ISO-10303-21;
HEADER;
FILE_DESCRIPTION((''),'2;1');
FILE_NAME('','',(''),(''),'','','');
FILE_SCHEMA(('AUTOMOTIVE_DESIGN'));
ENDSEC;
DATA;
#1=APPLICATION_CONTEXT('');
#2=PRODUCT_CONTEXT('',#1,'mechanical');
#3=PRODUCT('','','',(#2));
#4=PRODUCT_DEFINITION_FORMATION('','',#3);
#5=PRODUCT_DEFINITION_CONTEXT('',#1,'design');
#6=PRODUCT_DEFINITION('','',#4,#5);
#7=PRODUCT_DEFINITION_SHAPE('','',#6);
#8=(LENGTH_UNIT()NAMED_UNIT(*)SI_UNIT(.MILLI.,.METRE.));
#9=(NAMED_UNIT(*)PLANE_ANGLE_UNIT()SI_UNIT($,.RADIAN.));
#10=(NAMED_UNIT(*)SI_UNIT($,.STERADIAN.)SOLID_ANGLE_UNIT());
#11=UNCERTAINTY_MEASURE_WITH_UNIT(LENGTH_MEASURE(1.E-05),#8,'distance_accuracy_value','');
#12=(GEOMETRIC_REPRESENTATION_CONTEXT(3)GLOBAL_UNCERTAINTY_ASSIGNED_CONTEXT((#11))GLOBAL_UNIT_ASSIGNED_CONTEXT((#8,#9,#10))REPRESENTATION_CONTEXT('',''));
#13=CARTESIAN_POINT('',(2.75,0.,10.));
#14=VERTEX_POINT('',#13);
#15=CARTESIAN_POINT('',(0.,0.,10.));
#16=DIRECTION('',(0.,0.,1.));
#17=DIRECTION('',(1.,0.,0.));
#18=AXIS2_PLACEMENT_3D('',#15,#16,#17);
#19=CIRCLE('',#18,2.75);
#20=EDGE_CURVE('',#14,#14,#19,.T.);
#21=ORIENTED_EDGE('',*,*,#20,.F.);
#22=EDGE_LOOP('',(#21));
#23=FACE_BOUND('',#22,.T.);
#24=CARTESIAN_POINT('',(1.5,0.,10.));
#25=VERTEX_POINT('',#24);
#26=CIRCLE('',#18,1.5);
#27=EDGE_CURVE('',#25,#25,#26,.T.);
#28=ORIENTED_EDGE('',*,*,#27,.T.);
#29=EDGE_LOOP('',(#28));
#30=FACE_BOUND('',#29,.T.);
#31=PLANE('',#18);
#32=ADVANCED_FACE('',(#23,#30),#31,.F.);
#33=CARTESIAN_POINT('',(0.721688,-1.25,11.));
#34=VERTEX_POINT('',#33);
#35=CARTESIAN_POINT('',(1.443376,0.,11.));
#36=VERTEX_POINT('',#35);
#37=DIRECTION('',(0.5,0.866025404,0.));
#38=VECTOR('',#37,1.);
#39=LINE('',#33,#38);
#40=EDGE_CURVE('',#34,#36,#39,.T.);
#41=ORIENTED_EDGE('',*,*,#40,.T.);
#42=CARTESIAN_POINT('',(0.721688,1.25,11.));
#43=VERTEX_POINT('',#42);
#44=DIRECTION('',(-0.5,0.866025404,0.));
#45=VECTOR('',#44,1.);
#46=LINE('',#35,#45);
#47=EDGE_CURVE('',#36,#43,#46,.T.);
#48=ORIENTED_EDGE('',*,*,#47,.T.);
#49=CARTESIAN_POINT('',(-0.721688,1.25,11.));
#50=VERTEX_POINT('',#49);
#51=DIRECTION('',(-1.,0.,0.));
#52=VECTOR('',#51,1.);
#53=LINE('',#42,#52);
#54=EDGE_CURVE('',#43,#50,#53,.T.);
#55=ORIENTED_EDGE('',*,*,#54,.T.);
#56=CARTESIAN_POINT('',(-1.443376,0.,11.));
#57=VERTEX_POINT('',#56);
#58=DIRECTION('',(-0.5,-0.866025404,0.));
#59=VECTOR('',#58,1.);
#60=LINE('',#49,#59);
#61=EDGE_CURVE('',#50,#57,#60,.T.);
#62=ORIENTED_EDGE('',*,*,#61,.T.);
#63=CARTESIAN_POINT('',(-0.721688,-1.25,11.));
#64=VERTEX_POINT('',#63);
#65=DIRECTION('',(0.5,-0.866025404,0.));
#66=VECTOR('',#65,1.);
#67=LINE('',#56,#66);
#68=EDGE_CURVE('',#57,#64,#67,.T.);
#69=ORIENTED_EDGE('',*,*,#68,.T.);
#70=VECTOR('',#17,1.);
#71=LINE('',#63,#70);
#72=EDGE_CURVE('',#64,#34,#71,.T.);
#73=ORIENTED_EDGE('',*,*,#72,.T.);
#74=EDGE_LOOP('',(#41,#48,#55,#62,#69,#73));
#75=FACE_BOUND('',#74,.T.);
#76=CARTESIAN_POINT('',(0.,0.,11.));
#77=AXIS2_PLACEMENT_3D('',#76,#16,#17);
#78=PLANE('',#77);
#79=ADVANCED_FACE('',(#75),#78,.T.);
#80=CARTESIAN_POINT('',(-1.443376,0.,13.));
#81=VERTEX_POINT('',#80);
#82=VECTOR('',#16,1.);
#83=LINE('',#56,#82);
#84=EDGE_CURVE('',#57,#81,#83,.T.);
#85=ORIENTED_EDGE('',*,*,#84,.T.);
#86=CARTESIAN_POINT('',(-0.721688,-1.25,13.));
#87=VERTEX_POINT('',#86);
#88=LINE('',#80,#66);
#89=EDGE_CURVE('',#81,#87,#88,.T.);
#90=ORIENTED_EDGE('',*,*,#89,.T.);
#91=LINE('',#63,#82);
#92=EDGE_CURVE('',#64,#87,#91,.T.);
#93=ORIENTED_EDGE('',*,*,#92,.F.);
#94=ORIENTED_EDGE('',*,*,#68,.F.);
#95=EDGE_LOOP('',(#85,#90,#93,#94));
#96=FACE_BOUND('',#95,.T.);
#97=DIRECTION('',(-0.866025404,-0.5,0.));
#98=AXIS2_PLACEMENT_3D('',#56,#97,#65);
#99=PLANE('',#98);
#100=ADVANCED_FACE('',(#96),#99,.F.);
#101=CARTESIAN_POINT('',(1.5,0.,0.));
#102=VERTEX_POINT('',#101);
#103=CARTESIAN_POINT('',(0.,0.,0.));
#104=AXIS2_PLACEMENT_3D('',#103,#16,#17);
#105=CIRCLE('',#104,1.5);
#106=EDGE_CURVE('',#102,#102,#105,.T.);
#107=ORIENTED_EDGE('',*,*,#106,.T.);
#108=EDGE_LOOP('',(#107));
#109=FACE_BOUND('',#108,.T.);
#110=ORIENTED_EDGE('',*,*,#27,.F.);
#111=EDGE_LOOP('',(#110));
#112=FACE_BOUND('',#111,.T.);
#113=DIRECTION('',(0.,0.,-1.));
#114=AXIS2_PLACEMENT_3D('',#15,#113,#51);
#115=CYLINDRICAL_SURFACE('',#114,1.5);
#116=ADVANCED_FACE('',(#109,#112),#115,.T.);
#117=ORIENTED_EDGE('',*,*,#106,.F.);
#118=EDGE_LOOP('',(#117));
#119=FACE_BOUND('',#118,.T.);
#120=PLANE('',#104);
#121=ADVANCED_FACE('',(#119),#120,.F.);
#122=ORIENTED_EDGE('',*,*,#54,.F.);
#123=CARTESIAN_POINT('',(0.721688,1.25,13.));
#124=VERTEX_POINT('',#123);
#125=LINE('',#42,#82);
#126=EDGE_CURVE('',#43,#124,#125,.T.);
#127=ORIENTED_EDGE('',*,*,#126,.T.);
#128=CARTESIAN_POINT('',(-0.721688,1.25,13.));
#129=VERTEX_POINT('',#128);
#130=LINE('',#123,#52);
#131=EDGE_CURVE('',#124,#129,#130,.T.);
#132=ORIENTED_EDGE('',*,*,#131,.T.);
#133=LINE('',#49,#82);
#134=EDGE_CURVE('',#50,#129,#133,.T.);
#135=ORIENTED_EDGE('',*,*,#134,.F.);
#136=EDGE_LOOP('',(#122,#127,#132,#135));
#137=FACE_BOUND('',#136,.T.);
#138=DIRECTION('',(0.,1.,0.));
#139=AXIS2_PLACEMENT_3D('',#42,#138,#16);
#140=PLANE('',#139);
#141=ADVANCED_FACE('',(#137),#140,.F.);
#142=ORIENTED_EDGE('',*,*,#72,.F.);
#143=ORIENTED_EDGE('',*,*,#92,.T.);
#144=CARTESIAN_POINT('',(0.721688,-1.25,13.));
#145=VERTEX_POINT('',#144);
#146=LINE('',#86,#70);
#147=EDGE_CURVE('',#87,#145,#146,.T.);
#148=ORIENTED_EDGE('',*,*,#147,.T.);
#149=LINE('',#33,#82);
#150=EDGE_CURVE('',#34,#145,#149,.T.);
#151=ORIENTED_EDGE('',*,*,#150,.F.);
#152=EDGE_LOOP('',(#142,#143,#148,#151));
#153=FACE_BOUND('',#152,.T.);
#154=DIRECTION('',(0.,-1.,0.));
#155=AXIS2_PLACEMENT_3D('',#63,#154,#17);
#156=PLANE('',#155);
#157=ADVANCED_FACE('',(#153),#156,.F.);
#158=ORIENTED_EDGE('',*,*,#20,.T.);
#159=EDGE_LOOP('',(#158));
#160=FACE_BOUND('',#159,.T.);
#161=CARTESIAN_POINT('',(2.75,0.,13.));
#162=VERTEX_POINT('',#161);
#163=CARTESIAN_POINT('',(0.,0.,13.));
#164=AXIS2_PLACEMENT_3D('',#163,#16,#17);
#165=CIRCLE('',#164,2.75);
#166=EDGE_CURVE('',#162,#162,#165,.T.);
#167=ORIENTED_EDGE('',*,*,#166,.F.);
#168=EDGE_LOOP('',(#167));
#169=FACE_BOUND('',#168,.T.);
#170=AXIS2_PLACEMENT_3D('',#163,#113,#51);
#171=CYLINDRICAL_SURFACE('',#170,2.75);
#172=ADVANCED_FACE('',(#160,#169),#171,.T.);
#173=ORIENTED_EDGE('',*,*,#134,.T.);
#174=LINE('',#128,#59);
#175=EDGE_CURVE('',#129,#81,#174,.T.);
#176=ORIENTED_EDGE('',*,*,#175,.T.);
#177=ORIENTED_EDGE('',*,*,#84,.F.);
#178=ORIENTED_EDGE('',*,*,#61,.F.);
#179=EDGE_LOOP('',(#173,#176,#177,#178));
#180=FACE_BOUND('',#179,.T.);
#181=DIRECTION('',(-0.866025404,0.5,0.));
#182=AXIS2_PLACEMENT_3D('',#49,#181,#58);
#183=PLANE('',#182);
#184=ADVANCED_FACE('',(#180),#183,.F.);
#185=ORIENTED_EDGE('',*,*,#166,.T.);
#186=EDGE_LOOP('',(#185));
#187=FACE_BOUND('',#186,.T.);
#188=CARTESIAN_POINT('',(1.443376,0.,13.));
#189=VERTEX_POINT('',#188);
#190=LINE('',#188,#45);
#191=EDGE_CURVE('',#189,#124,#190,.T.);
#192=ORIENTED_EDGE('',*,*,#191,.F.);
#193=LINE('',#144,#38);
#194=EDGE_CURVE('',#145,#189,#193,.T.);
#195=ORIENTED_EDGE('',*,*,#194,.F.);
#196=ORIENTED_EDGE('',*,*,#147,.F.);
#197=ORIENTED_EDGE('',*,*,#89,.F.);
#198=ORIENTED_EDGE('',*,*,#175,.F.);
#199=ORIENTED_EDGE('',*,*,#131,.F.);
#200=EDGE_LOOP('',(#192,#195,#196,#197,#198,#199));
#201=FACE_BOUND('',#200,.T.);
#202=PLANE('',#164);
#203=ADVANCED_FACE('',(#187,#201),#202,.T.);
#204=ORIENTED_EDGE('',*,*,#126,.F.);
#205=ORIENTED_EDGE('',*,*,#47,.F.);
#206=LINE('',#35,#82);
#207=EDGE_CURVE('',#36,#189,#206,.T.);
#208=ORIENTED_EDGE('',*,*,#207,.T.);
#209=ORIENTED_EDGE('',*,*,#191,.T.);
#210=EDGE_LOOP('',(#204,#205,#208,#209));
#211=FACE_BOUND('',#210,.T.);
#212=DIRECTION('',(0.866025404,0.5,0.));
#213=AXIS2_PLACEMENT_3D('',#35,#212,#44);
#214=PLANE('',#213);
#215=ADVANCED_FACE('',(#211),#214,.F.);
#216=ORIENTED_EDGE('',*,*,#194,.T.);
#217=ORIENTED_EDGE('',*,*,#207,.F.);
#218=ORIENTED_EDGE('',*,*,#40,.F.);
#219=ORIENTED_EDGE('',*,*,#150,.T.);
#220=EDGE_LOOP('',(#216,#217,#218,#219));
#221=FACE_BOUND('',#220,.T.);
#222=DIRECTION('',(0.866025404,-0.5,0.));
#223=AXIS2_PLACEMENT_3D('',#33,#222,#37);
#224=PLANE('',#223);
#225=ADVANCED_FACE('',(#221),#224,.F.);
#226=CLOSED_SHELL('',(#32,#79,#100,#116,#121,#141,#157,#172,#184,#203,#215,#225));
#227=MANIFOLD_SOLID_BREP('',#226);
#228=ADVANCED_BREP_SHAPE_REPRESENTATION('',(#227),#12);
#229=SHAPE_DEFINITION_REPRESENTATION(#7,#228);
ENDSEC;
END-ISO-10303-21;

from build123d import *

# Parameters (mm, degrees)
ESQUISSE1_R             = 1.5
BOSS_EXTRU_1_DEPTH      = 10
ESQUISSE2_R             = 2.75
BOSS_EXTRU_2_DEPTH      = 3
ENL_V_MAT_EXTRU_1_DEPTH = 2


with BuildPart() as part:
    # Esquisse1 → Boss.-Extru.1 (new body)
    with BuildSketch(Plane.XY):
        Circle(ESQUISSE1_R)
    extrude(amount=BOSS_EXTRU_1_DEPTH)

    # Esquisse2 → Boss.-Extru.2 (add)
    with BuildSketch(Plane.XY.offset(10)):
        Circle(ESQUISSE2_R)
    extrude(amount=BOSS_EXTRU_2_DEPTH)

    # Esquisse3 → Enlèv. mat.-Extru.1 (cut)
    with BuildSketch(Plane.XY.offset(13)):
        Polygon((1.443375673, 0), (0.721687836, 1.25), (-0.721687836, 1.25), (-1.443375673, 0), (-0.721687836, -1.25), (0.721687836, -1.25), align=None)
    extrude(amount=-ENL_V_MAT_EXTRU_1_DEPTH, mode=Mode.SUBTRACT)


solid = part.part
